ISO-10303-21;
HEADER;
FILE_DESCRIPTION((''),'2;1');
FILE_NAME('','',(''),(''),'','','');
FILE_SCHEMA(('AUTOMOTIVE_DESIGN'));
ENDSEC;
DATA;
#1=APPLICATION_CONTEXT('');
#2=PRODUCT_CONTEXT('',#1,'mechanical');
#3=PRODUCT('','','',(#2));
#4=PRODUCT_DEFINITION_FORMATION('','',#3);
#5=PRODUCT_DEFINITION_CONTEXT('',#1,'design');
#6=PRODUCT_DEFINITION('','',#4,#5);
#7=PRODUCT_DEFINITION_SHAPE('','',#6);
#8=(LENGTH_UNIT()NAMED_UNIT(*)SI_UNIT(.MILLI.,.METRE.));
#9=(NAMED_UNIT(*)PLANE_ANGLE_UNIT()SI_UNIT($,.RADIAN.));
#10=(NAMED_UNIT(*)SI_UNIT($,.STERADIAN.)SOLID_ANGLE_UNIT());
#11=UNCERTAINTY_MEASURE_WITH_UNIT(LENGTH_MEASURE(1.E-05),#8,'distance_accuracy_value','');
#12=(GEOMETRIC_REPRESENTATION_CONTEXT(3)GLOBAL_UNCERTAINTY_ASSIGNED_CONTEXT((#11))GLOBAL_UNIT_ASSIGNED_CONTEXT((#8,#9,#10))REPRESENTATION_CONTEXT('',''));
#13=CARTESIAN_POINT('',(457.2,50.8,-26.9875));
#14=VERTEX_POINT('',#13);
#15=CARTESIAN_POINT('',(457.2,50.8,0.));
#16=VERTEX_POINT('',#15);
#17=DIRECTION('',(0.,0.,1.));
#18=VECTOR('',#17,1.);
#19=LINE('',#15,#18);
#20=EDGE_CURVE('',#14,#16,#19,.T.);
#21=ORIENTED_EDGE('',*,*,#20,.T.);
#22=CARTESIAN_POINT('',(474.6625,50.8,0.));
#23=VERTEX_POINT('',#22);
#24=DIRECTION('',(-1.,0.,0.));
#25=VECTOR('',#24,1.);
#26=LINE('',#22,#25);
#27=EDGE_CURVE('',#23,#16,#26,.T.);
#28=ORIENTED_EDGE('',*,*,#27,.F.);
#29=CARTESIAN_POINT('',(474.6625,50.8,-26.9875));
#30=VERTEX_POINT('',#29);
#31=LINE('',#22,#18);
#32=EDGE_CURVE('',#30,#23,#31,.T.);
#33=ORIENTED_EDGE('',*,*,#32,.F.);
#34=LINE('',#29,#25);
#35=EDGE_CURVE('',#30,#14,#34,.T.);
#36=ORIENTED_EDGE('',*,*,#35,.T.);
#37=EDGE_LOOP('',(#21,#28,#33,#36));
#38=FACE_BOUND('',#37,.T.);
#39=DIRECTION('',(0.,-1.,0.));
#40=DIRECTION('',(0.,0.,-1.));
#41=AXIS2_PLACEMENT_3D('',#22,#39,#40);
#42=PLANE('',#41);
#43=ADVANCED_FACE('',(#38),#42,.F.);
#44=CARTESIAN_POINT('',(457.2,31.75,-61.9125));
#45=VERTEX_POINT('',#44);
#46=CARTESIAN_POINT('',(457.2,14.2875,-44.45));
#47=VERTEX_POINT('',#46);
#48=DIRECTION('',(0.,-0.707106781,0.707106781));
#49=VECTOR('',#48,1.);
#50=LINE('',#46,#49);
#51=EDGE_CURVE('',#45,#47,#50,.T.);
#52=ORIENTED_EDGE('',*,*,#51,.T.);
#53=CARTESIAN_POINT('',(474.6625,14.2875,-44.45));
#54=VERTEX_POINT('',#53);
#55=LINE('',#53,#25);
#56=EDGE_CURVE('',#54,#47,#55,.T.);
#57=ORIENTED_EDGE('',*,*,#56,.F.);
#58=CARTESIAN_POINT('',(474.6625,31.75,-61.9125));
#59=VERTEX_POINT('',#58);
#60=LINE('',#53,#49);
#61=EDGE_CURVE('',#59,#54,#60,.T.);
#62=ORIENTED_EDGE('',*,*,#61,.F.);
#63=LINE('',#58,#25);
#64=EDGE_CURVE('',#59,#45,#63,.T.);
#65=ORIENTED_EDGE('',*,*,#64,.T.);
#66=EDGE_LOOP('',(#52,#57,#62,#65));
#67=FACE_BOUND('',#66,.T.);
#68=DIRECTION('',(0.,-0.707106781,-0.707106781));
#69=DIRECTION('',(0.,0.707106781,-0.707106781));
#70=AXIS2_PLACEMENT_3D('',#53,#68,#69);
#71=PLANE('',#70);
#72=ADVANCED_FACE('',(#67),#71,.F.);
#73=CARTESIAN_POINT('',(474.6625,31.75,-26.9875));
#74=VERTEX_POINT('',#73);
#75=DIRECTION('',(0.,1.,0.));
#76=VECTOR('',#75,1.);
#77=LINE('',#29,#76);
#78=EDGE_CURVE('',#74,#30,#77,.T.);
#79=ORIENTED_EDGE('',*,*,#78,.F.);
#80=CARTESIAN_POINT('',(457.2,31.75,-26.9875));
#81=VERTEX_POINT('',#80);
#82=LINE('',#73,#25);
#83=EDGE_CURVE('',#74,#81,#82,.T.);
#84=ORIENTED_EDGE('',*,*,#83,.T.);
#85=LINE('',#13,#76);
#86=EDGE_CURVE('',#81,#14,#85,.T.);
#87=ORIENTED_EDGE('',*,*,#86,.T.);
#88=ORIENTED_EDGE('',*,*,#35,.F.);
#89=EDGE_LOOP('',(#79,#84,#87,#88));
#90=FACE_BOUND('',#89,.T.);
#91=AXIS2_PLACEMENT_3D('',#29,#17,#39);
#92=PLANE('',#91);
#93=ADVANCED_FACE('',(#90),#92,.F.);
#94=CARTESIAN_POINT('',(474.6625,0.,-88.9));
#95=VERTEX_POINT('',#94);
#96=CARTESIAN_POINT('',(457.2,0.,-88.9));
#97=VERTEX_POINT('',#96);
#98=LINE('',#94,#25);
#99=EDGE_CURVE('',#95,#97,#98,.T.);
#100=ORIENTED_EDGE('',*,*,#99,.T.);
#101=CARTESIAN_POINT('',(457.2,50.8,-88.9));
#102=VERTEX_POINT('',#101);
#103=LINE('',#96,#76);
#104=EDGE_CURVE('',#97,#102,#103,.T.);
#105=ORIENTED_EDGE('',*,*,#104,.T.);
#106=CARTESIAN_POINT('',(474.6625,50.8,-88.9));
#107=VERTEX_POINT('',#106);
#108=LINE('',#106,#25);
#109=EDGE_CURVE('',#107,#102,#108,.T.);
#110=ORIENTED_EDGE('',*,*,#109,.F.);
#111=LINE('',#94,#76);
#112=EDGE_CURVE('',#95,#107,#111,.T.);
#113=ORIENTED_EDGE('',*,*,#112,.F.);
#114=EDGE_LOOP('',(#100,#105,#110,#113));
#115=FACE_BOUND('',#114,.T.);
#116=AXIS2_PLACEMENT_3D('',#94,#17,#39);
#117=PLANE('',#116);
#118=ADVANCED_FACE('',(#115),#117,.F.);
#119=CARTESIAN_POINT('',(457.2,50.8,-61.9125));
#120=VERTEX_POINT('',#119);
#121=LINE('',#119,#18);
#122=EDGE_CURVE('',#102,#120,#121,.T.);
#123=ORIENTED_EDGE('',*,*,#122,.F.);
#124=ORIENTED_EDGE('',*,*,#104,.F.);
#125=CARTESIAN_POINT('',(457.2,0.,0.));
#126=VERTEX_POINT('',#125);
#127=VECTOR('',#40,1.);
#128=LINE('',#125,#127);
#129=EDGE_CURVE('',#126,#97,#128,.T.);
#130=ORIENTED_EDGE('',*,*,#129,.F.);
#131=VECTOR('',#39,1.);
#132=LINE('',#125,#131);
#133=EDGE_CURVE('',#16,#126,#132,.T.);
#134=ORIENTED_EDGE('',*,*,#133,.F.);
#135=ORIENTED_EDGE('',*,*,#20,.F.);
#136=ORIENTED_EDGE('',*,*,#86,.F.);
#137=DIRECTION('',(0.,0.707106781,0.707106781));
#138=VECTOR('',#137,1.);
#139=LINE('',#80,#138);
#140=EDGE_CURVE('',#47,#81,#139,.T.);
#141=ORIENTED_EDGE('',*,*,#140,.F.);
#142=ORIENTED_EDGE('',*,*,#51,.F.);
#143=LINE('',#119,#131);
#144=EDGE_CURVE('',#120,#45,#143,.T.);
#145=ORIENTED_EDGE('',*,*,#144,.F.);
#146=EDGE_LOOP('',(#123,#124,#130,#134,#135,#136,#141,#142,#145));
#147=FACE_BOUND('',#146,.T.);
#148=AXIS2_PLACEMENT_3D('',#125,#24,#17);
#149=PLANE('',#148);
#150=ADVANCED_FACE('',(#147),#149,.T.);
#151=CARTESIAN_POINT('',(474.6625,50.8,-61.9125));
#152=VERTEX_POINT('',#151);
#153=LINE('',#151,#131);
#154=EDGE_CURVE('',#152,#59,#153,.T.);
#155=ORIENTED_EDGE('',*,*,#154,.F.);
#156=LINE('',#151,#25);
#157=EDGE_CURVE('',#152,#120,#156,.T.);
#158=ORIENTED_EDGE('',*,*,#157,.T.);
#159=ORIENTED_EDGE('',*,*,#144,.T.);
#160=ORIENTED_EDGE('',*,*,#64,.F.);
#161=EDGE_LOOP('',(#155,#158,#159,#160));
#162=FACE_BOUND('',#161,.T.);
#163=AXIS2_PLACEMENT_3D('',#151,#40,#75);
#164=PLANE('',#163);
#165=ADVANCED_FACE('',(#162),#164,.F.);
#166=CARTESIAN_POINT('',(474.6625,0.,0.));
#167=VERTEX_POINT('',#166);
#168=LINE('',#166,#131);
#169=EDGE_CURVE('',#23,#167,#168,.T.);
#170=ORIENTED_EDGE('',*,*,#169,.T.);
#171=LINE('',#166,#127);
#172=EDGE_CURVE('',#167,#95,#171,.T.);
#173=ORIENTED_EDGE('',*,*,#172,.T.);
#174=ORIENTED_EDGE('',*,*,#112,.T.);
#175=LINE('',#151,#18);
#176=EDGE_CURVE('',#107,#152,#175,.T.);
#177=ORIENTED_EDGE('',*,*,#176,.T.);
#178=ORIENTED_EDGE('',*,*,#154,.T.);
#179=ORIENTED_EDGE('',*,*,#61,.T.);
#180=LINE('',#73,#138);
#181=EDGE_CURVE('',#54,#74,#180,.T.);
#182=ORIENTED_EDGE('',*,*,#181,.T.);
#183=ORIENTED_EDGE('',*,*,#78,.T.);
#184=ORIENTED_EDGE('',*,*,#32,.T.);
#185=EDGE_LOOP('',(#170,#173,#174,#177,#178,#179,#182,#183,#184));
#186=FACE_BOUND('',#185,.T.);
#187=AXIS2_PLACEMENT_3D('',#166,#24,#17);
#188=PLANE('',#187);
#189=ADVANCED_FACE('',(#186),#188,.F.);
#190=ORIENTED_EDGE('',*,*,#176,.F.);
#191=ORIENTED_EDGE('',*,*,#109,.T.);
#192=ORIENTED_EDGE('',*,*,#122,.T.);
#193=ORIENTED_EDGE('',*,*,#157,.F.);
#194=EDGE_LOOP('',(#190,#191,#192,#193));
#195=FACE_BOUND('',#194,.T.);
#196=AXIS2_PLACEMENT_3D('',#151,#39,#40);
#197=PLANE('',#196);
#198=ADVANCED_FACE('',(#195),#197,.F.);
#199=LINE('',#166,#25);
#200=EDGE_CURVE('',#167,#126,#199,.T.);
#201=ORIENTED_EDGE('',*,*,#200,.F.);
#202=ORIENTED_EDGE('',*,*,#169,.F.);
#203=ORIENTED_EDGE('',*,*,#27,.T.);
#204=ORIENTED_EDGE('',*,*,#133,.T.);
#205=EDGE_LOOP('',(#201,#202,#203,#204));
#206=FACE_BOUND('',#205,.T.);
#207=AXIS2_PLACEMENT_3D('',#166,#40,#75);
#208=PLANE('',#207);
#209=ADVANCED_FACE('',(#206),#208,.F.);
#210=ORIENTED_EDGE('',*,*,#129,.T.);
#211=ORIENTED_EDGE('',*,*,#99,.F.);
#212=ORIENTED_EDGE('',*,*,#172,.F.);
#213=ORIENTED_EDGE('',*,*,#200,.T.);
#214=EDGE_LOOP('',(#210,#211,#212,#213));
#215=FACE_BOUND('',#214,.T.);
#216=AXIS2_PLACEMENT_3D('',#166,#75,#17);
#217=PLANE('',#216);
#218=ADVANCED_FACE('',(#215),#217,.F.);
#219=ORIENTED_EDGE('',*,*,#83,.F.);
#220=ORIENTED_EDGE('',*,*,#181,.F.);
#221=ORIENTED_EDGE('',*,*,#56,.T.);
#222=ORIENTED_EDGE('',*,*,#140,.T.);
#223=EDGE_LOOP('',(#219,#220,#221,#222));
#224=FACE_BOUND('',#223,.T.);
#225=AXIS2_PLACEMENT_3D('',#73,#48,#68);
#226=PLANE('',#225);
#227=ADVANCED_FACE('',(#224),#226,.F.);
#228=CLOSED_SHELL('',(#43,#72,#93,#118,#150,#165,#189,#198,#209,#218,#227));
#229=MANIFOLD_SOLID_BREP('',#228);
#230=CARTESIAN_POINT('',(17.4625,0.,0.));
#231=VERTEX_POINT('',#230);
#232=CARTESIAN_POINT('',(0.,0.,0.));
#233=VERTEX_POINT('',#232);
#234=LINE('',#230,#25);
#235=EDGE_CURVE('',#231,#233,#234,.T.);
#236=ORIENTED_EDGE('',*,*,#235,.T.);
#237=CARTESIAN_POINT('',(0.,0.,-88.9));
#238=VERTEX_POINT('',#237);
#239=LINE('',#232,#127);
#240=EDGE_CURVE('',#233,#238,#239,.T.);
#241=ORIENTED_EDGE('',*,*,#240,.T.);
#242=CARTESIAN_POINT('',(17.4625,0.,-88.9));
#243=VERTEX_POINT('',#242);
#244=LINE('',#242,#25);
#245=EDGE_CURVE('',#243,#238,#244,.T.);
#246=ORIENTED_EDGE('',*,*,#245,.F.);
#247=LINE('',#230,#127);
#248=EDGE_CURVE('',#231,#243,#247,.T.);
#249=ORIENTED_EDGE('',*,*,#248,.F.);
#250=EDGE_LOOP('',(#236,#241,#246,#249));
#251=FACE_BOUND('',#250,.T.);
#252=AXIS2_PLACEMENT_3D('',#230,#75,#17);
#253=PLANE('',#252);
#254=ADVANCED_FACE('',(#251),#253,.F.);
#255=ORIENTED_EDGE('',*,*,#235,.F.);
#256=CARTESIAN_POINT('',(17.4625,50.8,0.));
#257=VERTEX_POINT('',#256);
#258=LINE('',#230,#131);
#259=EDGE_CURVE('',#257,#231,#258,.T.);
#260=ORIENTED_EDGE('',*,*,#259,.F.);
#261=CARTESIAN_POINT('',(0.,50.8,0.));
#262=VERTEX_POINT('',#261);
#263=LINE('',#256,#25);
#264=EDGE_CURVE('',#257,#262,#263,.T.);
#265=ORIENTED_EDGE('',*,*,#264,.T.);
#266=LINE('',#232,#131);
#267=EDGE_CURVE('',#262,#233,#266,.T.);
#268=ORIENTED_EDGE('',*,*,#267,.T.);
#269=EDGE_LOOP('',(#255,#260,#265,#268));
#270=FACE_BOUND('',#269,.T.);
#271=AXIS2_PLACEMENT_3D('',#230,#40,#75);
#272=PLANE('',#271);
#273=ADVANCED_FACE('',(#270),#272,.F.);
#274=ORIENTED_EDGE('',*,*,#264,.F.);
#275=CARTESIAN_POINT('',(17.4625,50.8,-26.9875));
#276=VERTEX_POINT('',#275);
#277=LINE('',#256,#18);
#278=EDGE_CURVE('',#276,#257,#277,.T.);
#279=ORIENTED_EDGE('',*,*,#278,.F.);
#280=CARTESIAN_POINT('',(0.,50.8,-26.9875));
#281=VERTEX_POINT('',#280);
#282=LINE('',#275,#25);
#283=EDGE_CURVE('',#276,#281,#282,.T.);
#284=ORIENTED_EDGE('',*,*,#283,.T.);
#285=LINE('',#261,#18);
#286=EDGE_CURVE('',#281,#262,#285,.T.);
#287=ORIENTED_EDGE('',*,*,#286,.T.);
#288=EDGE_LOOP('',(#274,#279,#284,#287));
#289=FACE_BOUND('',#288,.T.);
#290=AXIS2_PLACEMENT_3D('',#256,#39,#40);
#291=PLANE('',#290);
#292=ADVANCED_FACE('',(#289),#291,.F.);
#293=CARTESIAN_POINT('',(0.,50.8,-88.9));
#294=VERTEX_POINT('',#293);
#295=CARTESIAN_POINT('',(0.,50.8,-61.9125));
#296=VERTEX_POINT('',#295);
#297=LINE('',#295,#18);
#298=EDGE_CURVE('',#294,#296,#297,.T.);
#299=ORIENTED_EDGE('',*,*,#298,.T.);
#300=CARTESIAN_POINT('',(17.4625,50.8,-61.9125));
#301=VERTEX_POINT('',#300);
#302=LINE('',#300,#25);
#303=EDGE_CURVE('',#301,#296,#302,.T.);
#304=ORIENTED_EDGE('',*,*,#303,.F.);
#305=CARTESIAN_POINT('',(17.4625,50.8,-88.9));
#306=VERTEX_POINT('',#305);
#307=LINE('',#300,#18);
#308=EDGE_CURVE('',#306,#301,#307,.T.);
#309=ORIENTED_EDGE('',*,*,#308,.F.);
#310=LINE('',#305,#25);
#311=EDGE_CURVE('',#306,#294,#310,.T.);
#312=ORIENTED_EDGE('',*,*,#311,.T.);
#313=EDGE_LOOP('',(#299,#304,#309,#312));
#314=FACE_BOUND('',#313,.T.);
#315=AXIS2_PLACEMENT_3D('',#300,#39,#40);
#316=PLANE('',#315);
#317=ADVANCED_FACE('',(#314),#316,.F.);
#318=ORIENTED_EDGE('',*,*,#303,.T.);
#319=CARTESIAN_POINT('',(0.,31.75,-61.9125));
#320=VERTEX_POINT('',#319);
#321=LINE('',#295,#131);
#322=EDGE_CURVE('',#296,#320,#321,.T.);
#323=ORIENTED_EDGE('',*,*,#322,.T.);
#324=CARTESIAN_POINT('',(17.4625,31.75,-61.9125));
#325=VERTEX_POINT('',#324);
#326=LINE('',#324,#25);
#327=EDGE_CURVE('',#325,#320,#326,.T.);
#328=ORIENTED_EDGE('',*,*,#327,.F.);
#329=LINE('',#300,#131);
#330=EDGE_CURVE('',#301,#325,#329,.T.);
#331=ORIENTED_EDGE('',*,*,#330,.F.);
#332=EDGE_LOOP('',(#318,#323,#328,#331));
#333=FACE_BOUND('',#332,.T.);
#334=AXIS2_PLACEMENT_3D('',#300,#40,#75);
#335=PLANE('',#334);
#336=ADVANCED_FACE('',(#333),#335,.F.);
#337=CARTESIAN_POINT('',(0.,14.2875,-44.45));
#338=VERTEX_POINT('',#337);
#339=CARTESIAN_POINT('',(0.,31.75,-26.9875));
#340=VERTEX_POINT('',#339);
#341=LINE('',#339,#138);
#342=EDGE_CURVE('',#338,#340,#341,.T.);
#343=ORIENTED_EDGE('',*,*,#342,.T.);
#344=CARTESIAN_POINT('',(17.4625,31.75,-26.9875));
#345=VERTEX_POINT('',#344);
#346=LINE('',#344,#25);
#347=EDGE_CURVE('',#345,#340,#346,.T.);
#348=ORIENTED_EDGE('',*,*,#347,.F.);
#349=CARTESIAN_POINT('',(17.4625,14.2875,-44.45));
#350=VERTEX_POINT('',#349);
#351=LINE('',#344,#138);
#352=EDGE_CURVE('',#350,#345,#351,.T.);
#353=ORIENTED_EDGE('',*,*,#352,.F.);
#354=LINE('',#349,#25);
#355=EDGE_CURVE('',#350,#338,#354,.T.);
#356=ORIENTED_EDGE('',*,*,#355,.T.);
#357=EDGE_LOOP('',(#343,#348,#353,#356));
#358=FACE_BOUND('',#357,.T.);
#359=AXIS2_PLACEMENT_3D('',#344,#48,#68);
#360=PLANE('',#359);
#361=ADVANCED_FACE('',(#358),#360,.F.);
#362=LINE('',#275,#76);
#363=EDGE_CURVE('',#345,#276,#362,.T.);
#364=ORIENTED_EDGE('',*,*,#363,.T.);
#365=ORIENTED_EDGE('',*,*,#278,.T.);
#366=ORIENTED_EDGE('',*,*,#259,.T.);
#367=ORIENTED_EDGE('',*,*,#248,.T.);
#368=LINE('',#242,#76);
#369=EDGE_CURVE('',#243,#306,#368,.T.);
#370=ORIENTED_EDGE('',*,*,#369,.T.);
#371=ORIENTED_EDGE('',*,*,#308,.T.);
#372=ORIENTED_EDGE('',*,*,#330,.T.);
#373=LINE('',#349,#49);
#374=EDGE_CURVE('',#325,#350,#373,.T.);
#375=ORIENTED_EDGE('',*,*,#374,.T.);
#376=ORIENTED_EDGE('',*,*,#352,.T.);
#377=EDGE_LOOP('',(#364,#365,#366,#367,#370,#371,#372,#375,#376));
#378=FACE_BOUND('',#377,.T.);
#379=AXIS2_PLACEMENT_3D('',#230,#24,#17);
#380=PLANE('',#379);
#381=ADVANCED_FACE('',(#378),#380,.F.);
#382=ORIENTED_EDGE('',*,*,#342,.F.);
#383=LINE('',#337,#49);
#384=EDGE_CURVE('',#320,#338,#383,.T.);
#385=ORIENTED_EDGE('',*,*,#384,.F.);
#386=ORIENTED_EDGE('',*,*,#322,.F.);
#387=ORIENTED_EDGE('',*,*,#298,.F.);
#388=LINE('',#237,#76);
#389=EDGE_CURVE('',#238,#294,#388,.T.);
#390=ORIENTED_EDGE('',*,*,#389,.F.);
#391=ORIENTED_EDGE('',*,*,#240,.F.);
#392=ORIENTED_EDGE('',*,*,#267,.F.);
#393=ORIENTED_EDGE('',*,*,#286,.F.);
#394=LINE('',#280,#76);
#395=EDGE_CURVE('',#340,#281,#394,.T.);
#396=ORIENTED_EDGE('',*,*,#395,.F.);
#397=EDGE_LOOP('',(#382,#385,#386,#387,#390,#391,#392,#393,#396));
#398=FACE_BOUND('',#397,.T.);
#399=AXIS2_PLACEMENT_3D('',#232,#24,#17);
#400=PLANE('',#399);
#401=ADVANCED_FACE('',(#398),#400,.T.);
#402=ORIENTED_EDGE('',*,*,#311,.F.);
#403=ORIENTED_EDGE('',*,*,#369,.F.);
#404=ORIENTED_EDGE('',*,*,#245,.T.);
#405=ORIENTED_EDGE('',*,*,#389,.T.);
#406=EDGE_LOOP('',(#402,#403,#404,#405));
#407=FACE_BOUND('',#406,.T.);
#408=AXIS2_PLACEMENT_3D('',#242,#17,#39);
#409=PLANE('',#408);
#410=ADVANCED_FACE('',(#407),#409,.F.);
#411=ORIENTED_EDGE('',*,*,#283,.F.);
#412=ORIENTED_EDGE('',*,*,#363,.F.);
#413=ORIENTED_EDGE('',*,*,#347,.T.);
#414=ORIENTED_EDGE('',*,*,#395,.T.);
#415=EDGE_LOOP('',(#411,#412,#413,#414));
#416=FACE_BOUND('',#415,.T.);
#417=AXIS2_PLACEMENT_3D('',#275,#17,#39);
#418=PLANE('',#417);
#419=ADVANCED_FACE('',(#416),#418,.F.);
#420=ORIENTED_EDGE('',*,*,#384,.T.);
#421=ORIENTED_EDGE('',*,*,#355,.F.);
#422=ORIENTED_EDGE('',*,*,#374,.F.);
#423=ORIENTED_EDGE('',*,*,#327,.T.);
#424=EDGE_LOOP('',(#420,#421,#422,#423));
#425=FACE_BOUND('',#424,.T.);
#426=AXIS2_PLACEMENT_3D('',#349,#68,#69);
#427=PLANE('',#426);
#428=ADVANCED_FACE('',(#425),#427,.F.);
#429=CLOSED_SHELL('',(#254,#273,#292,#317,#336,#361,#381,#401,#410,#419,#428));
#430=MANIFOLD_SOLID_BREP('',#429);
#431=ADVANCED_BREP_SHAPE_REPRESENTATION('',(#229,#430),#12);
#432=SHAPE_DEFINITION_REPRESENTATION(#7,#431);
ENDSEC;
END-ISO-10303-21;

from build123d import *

# Parameters (mm, degrees)
BOSS_EXTRUDE1_DEPTH = 17.4625
LPATTERN1_COUNT     = 2
LPATTERN1_PITCH     = 457.2


with BuildPart() as part:
    # Sketch1 → Boss-Extrude1 (new body)
    with BuildSketch(Plane(origin=(0, 0, 0), x_dir=(0, -1, 0), z_dir=(1, 0, 0))):
        Polygon((-31.75, 26.9875), (-14.2875, 44.45), (-31.75, 61.9125), (-50.8, 61.9125), (-50.8, 88.9), (0, 88.9), (0, 0), (-50.8, 0), (-50.8, 26.9875), align=None)
    extrude(amount=BOSS_EXTRUDE1_DEPTH)


with BuildPart() as lpattern1_1:
    # LPattern1: pattern copy
    add(part.part.moved(Location(Vector(1, 0, 0) * (1 * LPATTERN1_PITCH))))


solid = Compound([part.part, lpattern1_1.part])
